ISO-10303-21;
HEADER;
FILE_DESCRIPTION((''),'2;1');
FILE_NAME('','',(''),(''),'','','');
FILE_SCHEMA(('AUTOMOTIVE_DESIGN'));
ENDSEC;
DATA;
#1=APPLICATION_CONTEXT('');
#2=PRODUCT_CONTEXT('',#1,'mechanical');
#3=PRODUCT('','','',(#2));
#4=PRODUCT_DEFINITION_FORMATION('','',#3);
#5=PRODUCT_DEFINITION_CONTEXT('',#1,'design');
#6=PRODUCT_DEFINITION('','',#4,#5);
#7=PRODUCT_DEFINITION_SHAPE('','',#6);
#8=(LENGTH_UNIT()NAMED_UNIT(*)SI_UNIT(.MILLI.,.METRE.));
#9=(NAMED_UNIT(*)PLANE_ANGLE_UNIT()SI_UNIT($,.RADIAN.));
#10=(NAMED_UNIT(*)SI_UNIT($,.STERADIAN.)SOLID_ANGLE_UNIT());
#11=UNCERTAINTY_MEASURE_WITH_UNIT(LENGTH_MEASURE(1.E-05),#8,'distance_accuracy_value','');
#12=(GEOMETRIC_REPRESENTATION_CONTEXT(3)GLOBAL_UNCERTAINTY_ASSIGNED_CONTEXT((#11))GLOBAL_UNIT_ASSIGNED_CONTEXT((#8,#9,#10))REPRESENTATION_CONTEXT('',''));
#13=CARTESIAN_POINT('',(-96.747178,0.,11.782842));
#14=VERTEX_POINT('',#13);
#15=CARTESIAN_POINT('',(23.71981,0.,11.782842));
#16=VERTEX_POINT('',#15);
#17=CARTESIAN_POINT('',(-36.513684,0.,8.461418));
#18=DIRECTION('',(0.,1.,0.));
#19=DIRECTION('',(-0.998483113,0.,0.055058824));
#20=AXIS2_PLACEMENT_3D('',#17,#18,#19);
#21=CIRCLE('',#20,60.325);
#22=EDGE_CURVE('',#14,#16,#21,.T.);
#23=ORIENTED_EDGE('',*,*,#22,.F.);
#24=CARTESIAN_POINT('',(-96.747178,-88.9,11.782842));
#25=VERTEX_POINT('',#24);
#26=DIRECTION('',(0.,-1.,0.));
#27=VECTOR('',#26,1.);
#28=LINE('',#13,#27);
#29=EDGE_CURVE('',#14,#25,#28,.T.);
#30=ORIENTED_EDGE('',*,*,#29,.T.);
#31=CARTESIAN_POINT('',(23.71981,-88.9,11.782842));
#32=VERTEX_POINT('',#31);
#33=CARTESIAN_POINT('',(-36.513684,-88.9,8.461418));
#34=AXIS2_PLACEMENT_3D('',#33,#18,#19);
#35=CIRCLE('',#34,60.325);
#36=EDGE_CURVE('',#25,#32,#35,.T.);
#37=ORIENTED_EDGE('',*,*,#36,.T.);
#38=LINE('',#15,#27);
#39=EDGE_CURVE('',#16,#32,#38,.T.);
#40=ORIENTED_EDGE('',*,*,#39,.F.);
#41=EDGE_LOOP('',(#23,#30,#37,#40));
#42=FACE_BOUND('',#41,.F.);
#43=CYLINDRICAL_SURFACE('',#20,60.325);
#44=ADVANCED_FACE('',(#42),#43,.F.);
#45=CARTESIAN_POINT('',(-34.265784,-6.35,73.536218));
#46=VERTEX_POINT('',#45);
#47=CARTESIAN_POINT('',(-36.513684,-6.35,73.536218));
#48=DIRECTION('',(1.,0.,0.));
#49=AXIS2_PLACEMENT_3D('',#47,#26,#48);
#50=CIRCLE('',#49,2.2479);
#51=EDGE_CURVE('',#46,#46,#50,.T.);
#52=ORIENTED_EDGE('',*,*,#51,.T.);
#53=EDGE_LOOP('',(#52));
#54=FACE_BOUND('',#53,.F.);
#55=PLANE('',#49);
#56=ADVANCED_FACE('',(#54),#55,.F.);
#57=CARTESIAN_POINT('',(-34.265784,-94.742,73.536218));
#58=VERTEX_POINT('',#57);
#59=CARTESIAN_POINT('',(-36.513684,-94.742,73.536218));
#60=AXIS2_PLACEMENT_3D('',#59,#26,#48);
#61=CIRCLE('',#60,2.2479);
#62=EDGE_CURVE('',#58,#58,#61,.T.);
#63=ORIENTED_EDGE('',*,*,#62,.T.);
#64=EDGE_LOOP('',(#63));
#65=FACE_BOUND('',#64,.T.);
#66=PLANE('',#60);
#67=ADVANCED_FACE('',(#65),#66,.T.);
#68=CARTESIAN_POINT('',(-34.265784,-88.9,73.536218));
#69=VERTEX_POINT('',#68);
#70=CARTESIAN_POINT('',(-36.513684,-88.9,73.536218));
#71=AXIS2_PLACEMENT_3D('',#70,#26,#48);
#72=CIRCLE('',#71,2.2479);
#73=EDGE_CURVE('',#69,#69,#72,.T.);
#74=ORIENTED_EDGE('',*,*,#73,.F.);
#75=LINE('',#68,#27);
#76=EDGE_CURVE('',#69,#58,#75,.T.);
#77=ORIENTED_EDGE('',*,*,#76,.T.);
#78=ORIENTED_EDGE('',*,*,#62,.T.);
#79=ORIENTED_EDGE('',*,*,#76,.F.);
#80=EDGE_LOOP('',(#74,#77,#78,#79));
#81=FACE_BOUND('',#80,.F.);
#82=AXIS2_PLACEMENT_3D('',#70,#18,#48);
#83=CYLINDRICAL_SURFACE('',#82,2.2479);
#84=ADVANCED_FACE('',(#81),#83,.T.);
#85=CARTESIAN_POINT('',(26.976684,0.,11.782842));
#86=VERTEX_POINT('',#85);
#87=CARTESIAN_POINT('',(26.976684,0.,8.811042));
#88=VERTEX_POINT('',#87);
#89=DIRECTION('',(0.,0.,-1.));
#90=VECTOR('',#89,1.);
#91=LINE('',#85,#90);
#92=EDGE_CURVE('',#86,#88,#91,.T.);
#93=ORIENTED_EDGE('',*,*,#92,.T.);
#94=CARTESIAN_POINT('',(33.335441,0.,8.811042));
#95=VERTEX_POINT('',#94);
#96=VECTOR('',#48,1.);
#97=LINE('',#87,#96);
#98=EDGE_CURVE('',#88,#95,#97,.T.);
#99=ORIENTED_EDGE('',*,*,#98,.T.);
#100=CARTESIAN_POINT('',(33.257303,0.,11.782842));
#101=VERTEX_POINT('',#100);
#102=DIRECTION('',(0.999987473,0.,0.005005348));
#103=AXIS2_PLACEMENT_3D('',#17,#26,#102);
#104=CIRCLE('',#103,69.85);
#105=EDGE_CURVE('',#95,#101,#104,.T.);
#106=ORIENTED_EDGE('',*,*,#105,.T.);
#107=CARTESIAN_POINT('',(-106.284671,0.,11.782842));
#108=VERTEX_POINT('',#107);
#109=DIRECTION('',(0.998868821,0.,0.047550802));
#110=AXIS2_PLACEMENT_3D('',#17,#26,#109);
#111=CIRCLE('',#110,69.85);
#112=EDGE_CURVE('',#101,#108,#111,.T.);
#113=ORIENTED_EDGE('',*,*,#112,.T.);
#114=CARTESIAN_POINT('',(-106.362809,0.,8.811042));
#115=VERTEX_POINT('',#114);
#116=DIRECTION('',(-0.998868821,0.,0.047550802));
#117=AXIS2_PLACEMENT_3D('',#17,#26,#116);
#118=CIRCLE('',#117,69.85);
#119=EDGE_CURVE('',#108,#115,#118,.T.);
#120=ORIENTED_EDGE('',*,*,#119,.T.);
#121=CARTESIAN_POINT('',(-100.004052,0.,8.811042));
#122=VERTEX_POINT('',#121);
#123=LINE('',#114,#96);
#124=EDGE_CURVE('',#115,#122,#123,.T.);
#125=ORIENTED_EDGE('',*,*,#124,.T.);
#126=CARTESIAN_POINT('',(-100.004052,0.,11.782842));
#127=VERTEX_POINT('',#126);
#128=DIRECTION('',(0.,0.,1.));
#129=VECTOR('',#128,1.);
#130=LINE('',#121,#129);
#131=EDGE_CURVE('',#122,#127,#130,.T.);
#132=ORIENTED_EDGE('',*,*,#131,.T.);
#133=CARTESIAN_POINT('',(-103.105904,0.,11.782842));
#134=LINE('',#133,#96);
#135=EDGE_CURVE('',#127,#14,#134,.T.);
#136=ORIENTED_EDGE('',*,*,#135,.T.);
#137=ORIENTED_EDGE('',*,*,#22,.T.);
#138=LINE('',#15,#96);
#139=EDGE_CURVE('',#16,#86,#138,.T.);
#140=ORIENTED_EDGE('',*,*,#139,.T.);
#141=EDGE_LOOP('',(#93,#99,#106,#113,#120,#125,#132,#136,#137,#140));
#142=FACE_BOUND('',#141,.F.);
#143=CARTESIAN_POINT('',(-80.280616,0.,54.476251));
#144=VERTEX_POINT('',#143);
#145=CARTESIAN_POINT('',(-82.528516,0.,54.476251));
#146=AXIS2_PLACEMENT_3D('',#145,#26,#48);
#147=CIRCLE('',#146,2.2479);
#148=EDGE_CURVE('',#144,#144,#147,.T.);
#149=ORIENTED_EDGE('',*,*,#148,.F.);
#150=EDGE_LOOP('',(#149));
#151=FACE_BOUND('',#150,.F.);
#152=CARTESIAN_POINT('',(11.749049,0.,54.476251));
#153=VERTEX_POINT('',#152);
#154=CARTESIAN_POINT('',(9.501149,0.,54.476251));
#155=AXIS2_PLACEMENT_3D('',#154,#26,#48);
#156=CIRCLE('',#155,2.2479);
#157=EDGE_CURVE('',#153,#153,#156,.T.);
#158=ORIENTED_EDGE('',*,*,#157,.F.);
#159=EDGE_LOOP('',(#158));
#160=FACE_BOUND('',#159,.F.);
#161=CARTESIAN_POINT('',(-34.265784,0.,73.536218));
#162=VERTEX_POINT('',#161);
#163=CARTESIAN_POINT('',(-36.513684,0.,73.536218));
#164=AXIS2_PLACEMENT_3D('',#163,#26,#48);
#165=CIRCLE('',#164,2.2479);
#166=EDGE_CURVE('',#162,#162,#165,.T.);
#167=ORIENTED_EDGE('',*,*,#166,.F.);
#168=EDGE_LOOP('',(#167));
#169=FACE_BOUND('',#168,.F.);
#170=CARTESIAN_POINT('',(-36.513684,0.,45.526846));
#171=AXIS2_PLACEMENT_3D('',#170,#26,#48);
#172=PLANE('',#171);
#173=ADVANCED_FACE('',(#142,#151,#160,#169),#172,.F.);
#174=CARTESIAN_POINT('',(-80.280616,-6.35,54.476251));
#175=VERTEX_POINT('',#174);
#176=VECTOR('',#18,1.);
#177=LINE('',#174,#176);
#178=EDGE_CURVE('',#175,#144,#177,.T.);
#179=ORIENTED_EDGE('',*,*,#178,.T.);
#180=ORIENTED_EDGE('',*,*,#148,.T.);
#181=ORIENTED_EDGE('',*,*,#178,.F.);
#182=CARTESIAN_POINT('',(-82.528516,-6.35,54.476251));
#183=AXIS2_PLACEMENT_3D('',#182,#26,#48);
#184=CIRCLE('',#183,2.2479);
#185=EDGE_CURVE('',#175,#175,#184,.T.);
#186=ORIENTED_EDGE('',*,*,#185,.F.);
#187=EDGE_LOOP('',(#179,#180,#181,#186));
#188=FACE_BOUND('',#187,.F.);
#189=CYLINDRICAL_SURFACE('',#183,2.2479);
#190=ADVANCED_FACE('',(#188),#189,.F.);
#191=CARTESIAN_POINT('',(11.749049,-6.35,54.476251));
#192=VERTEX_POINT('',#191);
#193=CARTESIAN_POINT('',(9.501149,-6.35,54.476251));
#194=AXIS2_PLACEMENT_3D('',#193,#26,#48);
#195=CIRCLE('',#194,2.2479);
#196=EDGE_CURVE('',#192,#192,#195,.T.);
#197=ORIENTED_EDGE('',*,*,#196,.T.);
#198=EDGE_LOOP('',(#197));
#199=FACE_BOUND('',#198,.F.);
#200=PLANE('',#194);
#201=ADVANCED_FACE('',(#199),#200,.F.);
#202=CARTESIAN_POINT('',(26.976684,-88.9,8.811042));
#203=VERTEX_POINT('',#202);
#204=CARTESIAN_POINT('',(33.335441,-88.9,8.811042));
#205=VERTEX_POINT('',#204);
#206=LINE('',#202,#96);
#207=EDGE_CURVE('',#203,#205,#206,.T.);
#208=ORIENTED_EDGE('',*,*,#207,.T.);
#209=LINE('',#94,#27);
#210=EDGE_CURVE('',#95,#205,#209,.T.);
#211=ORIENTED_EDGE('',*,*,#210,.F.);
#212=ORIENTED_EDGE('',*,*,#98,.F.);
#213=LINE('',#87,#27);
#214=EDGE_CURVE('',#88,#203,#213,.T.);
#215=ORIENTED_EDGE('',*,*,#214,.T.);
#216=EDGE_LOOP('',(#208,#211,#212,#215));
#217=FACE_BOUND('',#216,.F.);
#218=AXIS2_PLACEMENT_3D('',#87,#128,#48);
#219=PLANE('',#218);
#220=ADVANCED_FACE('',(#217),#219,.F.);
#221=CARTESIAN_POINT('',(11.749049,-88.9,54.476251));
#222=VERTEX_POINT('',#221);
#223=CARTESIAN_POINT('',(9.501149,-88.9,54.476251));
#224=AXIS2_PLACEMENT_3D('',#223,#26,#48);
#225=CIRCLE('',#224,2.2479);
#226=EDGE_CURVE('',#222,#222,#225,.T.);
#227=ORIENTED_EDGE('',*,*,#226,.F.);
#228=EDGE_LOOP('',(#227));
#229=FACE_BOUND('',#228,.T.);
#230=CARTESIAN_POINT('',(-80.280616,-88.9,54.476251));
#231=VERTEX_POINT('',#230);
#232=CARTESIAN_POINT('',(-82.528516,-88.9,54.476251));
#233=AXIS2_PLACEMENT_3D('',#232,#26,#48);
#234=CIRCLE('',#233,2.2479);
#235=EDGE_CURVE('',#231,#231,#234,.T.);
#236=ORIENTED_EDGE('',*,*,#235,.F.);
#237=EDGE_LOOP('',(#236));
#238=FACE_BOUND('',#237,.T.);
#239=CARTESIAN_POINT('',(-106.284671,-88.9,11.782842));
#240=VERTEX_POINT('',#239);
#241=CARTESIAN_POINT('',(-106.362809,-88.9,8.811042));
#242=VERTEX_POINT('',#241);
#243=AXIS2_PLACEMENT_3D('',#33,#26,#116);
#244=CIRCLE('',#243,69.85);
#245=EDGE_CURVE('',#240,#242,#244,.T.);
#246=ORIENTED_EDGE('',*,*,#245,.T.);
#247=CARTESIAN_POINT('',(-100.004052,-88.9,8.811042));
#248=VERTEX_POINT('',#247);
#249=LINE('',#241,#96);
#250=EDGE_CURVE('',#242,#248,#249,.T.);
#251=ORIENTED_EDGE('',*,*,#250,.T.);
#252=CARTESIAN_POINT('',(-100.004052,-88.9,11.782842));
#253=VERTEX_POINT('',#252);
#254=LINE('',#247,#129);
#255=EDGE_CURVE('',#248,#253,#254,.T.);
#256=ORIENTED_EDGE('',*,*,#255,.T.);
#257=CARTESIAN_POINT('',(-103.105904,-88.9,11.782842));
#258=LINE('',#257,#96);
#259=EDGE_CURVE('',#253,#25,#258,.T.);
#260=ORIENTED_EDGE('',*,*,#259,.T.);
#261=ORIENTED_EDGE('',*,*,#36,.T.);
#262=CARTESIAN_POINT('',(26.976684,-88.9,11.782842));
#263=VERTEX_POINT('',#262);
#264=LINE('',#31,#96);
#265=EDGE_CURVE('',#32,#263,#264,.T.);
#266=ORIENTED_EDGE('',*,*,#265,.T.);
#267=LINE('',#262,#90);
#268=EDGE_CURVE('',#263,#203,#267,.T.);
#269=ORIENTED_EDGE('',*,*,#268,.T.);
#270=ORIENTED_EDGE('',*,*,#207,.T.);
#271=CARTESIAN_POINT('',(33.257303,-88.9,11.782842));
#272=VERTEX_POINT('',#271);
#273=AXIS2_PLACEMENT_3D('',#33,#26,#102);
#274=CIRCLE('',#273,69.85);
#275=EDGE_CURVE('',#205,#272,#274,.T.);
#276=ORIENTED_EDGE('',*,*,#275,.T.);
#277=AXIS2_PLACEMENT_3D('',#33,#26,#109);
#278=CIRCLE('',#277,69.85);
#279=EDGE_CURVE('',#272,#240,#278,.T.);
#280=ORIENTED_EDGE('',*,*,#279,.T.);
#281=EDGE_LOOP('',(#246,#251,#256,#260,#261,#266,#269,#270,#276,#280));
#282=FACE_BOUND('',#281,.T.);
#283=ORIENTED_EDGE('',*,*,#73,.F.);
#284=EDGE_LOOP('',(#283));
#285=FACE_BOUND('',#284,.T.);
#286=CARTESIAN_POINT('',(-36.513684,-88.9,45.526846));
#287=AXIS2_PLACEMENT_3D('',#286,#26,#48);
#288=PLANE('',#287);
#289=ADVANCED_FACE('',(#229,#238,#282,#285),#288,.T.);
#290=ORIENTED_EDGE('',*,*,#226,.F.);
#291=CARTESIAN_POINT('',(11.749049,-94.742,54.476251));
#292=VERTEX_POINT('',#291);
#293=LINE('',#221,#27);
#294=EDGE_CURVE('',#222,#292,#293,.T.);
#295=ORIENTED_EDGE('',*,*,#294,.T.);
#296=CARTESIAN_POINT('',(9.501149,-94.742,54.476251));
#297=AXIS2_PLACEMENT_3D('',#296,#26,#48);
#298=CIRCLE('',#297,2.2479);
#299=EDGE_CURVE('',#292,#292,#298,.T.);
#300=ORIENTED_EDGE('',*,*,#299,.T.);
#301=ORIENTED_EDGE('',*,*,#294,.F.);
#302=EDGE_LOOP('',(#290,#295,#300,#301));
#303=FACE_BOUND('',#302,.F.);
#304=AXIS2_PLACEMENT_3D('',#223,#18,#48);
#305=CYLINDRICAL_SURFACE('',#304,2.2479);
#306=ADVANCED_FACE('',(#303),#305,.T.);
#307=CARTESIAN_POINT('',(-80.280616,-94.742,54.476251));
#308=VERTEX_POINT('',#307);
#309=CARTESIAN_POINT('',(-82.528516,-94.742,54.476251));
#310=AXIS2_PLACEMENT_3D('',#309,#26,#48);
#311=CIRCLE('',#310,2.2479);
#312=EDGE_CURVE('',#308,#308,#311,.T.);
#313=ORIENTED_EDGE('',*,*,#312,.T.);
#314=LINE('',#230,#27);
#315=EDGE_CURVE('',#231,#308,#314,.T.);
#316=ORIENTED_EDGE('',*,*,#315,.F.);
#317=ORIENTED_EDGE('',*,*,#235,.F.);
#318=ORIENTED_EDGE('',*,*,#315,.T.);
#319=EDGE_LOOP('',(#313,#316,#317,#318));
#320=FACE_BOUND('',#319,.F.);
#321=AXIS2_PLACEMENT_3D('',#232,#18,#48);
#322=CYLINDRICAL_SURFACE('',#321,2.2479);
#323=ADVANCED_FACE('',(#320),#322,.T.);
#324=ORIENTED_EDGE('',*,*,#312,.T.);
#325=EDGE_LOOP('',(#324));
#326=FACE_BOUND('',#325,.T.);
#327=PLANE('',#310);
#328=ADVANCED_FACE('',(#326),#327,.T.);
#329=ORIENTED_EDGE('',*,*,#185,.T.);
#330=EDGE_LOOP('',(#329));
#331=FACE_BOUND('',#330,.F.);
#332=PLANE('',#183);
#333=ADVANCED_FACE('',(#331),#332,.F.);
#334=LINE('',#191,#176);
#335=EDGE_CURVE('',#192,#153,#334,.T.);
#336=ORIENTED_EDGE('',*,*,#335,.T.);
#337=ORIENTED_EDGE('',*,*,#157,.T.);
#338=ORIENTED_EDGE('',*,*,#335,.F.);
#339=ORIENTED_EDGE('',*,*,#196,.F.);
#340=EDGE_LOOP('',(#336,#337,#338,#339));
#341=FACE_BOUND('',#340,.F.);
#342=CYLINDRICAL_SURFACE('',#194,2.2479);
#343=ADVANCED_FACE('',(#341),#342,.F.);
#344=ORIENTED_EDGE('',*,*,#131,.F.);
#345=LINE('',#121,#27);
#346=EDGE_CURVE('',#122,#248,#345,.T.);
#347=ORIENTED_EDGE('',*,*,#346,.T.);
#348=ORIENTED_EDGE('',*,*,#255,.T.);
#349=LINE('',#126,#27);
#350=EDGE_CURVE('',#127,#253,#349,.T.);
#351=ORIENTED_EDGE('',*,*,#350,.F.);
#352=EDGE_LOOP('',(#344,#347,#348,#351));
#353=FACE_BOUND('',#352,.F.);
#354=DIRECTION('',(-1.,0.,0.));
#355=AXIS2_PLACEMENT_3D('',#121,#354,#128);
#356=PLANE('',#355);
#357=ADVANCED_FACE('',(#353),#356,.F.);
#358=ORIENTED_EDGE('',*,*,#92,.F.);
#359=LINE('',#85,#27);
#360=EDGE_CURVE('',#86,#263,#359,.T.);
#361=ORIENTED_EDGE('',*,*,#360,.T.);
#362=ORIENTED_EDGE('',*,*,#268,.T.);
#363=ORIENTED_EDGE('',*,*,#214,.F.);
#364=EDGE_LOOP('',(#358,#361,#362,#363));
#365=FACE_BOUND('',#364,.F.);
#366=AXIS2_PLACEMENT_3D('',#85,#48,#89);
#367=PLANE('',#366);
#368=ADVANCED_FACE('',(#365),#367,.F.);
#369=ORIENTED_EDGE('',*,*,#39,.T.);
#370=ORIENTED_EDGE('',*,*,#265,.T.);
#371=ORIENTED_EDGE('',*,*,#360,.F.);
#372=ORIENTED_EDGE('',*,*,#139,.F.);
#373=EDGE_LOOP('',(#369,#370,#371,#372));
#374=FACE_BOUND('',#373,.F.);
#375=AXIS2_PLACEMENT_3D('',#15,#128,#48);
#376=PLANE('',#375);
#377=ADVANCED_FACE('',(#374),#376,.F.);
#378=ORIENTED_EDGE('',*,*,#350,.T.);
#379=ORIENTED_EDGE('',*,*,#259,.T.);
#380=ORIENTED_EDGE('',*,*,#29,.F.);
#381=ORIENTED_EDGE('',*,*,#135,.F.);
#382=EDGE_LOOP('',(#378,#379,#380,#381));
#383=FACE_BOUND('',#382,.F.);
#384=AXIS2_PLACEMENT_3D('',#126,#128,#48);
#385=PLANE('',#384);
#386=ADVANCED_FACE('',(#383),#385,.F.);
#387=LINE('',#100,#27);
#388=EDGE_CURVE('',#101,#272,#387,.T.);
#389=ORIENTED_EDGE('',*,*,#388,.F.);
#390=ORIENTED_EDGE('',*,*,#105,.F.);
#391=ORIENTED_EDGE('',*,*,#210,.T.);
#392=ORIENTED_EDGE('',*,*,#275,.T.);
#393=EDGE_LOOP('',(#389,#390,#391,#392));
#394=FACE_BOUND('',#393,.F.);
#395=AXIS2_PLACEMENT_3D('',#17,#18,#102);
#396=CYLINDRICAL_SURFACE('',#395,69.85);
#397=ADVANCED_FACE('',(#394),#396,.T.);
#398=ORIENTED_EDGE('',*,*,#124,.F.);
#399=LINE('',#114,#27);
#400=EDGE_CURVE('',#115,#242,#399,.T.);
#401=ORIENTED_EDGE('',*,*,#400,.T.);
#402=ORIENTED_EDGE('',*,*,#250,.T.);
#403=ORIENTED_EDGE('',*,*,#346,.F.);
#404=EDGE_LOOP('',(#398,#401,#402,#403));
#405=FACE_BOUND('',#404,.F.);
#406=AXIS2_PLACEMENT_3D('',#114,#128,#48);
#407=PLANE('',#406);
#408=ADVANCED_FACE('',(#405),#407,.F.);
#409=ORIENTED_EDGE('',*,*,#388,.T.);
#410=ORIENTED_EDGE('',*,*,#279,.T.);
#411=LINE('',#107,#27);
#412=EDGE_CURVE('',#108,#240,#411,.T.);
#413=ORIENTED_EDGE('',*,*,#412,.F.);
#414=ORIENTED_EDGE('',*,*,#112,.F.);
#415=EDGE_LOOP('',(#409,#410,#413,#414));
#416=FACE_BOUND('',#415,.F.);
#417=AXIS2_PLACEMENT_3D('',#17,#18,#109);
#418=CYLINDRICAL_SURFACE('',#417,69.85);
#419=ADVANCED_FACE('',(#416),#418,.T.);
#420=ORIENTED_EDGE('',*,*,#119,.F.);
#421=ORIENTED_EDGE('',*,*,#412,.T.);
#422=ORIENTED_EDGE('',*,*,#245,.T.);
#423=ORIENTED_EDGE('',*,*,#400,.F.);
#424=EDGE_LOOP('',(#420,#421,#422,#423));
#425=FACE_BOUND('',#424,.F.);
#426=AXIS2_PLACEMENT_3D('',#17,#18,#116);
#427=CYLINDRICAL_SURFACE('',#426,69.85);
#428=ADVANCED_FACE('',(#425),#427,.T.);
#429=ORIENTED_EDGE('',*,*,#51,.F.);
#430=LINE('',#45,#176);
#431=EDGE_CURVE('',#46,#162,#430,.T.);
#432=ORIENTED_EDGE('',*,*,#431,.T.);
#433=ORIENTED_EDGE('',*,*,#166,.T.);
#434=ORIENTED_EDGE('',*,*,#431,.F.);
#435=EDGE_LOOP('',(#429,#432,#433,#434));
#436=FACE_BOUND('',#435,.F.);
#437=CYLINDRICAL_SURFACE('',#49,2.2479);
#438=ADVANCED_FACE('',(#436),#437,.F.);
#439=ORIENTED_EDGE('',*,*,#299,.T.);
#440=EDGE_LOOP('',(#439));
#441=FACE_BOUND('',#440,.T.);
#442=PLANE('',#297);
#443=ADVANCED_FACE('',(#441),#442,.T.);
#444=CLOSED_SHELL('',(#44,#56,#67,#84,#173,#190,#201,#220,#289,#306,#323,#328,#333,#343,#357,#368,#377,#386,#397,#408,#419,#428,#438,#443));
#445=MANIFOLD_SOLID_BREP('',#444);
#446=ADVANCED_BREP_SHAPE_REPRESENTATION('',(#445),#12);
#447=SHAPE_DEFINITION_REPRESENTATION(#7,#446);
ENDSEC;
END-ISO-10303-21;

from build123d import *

# Parameters (mm, degrees)
F1_DEPTH = 88.9
F2_R     = 2.2479
F3_DEPTH = 5.842
F4_START = -82.55
F4_DEPTH = 6.35


with BuildPart() as f1:
    # F0 (on Front) → F1 (new body)
    with BuildSketch(Plane.XZ):
        with BuildLine():
            Line((26.9766840256, 11.7828417273), (30.0785363078, 11.7828417273))
            ThreePointArc((30.0785363078, 11.7828417273), (-36.5136837388, 75.1364181979), (-103.1059037855, 11.7828417273))
            Line((-103.1059037855, 11.7828417273), (-100.0040515032, 11.7828417273))
            Line((-100.0040515032, 11.7828417273), (-96.7471775005, 11.7828417273))
            ThreePointArc((-96.7471775005, 11.7828417273), (-36.5136837388, 68.7864181979), (23.7198100229, 11.7828417273))
            Line((23.7198100229, 11.7828417273), (26.9766840256, 11.7828417273))
        make_face()
        with BuildLine():
            Line((-100.0040515032, 11.7828417273), (-103.1059037855, 11.7828417273))
            ThreePointArc((-103.1059037855, 11.7828417273), (-103.1634009398, 10.2973980525), (-103.1877670725, 8.8110417273))
            Line((-103.1877670725, 8.8110417273), (-100.0040515032, 8.8110417273))
            Line((-100.0040515032, 8.8110417273), (-100.0040515032, 11.7828417273))
        make_face()
        with BuildLine():
            Line((26.9766840256, 8.8110417273), (30.1603995949, 8.8110417273))
            ThreePointArc((30.1603995949, 8.8110417273), (30.1360334622, 10.2973980525), (30.0785363078, 11.7828417273))
            Line((30.0785363078, 11.7828417273), (26.9766840256, 11.7828417273))
            Line((26.9766840256, 11.7828417273), (26.9766840256, 8.8110417273))
        make_face()
        with BuildLine():
            Line((30.1603995949, 8.8110417273), (33.335441262, 8.8110417273))
            ThreePointArc((33.335441262, 8.8110417273), (33.312184154, 10.2973574694), (33.2573033958, 11.7828417273))
            Line((33.2573033958, 11.7828417273), (30.0785363078, 11.7828417273))
            ThreePointArc((30.0785363078, 11.7828417273), (30.1360334622, 10.2973980525), (30.1603995949, 8.8110417273))
        make_face()
        with BuildLine():
            Line((30.0785363078, 11.7828417273), (33.2573033958, 11.7828417273))
            ThreePointArc((33.2573033958, 11.7828417273), (-36.5136837388, 78.3114181979), (-106.2846708734, 11.7828417273))
            Line((-106.2846708734, 11.7828417273), (-103.1059037855, 11.7828417273))
            ThreePointArc((-103.1059037855, 11.7828417273), (-36.5136837388, 75.1364181979), (30.0785363078, 11.7828417273))
        make_face()
        with BuildLine():
            Line((-103.1059037855, 11.7828417273), (-106.2846708734, 11.7828417273))
            ThreePointArc((-106.2846708734, 11.7828417273), (-106.3395516317, 10.2973574694), (-106.3628087397, 8.8110417273))
            Line((-106.3628087397, 8.8110417273), (-103.1877670725, 8.8110417273))
            ThreePointArc((-103.1877670725, 8.8110417273), (-103.1634009398, 10.2973980525), (-103.1059037855, 11.7828417273))
        make_face()
    extrude(amount=F1_DEPTH)

    # F2 (on face) → F3 (join)
    with BuildSketch(Plane.XZ.offset(88.9)):
        with Locations((-36.5136837388, 73.5362181979)):
            Circle(F2_R)
        with Locations((9.5011486255, 54.4762505622)):
            Circle(F2_R)
        with Locations((-82.5285161032, 54.4762505622)):
            Circle(F2_R)
    extrude(amount=F3_DEPTH)

    # F2 (on face) → F4 (cut)
    with BuildSketch(Plane.XZ.offset(88.9).offset(F4_START)):
        with Locations((-82.5285161032, 54.4762505622)):
            Circle(F2_R)
        with Locations((-36.5136837388, 73.5362181979)):
            Circle(F2_R)
        with Locations((9.5011486255, 54.4762505622)):
            Circle(F2_R)
    extrude(amount=-F4_DEPTH, mode=Mode.SUBTRACT)


solid = f1.part
